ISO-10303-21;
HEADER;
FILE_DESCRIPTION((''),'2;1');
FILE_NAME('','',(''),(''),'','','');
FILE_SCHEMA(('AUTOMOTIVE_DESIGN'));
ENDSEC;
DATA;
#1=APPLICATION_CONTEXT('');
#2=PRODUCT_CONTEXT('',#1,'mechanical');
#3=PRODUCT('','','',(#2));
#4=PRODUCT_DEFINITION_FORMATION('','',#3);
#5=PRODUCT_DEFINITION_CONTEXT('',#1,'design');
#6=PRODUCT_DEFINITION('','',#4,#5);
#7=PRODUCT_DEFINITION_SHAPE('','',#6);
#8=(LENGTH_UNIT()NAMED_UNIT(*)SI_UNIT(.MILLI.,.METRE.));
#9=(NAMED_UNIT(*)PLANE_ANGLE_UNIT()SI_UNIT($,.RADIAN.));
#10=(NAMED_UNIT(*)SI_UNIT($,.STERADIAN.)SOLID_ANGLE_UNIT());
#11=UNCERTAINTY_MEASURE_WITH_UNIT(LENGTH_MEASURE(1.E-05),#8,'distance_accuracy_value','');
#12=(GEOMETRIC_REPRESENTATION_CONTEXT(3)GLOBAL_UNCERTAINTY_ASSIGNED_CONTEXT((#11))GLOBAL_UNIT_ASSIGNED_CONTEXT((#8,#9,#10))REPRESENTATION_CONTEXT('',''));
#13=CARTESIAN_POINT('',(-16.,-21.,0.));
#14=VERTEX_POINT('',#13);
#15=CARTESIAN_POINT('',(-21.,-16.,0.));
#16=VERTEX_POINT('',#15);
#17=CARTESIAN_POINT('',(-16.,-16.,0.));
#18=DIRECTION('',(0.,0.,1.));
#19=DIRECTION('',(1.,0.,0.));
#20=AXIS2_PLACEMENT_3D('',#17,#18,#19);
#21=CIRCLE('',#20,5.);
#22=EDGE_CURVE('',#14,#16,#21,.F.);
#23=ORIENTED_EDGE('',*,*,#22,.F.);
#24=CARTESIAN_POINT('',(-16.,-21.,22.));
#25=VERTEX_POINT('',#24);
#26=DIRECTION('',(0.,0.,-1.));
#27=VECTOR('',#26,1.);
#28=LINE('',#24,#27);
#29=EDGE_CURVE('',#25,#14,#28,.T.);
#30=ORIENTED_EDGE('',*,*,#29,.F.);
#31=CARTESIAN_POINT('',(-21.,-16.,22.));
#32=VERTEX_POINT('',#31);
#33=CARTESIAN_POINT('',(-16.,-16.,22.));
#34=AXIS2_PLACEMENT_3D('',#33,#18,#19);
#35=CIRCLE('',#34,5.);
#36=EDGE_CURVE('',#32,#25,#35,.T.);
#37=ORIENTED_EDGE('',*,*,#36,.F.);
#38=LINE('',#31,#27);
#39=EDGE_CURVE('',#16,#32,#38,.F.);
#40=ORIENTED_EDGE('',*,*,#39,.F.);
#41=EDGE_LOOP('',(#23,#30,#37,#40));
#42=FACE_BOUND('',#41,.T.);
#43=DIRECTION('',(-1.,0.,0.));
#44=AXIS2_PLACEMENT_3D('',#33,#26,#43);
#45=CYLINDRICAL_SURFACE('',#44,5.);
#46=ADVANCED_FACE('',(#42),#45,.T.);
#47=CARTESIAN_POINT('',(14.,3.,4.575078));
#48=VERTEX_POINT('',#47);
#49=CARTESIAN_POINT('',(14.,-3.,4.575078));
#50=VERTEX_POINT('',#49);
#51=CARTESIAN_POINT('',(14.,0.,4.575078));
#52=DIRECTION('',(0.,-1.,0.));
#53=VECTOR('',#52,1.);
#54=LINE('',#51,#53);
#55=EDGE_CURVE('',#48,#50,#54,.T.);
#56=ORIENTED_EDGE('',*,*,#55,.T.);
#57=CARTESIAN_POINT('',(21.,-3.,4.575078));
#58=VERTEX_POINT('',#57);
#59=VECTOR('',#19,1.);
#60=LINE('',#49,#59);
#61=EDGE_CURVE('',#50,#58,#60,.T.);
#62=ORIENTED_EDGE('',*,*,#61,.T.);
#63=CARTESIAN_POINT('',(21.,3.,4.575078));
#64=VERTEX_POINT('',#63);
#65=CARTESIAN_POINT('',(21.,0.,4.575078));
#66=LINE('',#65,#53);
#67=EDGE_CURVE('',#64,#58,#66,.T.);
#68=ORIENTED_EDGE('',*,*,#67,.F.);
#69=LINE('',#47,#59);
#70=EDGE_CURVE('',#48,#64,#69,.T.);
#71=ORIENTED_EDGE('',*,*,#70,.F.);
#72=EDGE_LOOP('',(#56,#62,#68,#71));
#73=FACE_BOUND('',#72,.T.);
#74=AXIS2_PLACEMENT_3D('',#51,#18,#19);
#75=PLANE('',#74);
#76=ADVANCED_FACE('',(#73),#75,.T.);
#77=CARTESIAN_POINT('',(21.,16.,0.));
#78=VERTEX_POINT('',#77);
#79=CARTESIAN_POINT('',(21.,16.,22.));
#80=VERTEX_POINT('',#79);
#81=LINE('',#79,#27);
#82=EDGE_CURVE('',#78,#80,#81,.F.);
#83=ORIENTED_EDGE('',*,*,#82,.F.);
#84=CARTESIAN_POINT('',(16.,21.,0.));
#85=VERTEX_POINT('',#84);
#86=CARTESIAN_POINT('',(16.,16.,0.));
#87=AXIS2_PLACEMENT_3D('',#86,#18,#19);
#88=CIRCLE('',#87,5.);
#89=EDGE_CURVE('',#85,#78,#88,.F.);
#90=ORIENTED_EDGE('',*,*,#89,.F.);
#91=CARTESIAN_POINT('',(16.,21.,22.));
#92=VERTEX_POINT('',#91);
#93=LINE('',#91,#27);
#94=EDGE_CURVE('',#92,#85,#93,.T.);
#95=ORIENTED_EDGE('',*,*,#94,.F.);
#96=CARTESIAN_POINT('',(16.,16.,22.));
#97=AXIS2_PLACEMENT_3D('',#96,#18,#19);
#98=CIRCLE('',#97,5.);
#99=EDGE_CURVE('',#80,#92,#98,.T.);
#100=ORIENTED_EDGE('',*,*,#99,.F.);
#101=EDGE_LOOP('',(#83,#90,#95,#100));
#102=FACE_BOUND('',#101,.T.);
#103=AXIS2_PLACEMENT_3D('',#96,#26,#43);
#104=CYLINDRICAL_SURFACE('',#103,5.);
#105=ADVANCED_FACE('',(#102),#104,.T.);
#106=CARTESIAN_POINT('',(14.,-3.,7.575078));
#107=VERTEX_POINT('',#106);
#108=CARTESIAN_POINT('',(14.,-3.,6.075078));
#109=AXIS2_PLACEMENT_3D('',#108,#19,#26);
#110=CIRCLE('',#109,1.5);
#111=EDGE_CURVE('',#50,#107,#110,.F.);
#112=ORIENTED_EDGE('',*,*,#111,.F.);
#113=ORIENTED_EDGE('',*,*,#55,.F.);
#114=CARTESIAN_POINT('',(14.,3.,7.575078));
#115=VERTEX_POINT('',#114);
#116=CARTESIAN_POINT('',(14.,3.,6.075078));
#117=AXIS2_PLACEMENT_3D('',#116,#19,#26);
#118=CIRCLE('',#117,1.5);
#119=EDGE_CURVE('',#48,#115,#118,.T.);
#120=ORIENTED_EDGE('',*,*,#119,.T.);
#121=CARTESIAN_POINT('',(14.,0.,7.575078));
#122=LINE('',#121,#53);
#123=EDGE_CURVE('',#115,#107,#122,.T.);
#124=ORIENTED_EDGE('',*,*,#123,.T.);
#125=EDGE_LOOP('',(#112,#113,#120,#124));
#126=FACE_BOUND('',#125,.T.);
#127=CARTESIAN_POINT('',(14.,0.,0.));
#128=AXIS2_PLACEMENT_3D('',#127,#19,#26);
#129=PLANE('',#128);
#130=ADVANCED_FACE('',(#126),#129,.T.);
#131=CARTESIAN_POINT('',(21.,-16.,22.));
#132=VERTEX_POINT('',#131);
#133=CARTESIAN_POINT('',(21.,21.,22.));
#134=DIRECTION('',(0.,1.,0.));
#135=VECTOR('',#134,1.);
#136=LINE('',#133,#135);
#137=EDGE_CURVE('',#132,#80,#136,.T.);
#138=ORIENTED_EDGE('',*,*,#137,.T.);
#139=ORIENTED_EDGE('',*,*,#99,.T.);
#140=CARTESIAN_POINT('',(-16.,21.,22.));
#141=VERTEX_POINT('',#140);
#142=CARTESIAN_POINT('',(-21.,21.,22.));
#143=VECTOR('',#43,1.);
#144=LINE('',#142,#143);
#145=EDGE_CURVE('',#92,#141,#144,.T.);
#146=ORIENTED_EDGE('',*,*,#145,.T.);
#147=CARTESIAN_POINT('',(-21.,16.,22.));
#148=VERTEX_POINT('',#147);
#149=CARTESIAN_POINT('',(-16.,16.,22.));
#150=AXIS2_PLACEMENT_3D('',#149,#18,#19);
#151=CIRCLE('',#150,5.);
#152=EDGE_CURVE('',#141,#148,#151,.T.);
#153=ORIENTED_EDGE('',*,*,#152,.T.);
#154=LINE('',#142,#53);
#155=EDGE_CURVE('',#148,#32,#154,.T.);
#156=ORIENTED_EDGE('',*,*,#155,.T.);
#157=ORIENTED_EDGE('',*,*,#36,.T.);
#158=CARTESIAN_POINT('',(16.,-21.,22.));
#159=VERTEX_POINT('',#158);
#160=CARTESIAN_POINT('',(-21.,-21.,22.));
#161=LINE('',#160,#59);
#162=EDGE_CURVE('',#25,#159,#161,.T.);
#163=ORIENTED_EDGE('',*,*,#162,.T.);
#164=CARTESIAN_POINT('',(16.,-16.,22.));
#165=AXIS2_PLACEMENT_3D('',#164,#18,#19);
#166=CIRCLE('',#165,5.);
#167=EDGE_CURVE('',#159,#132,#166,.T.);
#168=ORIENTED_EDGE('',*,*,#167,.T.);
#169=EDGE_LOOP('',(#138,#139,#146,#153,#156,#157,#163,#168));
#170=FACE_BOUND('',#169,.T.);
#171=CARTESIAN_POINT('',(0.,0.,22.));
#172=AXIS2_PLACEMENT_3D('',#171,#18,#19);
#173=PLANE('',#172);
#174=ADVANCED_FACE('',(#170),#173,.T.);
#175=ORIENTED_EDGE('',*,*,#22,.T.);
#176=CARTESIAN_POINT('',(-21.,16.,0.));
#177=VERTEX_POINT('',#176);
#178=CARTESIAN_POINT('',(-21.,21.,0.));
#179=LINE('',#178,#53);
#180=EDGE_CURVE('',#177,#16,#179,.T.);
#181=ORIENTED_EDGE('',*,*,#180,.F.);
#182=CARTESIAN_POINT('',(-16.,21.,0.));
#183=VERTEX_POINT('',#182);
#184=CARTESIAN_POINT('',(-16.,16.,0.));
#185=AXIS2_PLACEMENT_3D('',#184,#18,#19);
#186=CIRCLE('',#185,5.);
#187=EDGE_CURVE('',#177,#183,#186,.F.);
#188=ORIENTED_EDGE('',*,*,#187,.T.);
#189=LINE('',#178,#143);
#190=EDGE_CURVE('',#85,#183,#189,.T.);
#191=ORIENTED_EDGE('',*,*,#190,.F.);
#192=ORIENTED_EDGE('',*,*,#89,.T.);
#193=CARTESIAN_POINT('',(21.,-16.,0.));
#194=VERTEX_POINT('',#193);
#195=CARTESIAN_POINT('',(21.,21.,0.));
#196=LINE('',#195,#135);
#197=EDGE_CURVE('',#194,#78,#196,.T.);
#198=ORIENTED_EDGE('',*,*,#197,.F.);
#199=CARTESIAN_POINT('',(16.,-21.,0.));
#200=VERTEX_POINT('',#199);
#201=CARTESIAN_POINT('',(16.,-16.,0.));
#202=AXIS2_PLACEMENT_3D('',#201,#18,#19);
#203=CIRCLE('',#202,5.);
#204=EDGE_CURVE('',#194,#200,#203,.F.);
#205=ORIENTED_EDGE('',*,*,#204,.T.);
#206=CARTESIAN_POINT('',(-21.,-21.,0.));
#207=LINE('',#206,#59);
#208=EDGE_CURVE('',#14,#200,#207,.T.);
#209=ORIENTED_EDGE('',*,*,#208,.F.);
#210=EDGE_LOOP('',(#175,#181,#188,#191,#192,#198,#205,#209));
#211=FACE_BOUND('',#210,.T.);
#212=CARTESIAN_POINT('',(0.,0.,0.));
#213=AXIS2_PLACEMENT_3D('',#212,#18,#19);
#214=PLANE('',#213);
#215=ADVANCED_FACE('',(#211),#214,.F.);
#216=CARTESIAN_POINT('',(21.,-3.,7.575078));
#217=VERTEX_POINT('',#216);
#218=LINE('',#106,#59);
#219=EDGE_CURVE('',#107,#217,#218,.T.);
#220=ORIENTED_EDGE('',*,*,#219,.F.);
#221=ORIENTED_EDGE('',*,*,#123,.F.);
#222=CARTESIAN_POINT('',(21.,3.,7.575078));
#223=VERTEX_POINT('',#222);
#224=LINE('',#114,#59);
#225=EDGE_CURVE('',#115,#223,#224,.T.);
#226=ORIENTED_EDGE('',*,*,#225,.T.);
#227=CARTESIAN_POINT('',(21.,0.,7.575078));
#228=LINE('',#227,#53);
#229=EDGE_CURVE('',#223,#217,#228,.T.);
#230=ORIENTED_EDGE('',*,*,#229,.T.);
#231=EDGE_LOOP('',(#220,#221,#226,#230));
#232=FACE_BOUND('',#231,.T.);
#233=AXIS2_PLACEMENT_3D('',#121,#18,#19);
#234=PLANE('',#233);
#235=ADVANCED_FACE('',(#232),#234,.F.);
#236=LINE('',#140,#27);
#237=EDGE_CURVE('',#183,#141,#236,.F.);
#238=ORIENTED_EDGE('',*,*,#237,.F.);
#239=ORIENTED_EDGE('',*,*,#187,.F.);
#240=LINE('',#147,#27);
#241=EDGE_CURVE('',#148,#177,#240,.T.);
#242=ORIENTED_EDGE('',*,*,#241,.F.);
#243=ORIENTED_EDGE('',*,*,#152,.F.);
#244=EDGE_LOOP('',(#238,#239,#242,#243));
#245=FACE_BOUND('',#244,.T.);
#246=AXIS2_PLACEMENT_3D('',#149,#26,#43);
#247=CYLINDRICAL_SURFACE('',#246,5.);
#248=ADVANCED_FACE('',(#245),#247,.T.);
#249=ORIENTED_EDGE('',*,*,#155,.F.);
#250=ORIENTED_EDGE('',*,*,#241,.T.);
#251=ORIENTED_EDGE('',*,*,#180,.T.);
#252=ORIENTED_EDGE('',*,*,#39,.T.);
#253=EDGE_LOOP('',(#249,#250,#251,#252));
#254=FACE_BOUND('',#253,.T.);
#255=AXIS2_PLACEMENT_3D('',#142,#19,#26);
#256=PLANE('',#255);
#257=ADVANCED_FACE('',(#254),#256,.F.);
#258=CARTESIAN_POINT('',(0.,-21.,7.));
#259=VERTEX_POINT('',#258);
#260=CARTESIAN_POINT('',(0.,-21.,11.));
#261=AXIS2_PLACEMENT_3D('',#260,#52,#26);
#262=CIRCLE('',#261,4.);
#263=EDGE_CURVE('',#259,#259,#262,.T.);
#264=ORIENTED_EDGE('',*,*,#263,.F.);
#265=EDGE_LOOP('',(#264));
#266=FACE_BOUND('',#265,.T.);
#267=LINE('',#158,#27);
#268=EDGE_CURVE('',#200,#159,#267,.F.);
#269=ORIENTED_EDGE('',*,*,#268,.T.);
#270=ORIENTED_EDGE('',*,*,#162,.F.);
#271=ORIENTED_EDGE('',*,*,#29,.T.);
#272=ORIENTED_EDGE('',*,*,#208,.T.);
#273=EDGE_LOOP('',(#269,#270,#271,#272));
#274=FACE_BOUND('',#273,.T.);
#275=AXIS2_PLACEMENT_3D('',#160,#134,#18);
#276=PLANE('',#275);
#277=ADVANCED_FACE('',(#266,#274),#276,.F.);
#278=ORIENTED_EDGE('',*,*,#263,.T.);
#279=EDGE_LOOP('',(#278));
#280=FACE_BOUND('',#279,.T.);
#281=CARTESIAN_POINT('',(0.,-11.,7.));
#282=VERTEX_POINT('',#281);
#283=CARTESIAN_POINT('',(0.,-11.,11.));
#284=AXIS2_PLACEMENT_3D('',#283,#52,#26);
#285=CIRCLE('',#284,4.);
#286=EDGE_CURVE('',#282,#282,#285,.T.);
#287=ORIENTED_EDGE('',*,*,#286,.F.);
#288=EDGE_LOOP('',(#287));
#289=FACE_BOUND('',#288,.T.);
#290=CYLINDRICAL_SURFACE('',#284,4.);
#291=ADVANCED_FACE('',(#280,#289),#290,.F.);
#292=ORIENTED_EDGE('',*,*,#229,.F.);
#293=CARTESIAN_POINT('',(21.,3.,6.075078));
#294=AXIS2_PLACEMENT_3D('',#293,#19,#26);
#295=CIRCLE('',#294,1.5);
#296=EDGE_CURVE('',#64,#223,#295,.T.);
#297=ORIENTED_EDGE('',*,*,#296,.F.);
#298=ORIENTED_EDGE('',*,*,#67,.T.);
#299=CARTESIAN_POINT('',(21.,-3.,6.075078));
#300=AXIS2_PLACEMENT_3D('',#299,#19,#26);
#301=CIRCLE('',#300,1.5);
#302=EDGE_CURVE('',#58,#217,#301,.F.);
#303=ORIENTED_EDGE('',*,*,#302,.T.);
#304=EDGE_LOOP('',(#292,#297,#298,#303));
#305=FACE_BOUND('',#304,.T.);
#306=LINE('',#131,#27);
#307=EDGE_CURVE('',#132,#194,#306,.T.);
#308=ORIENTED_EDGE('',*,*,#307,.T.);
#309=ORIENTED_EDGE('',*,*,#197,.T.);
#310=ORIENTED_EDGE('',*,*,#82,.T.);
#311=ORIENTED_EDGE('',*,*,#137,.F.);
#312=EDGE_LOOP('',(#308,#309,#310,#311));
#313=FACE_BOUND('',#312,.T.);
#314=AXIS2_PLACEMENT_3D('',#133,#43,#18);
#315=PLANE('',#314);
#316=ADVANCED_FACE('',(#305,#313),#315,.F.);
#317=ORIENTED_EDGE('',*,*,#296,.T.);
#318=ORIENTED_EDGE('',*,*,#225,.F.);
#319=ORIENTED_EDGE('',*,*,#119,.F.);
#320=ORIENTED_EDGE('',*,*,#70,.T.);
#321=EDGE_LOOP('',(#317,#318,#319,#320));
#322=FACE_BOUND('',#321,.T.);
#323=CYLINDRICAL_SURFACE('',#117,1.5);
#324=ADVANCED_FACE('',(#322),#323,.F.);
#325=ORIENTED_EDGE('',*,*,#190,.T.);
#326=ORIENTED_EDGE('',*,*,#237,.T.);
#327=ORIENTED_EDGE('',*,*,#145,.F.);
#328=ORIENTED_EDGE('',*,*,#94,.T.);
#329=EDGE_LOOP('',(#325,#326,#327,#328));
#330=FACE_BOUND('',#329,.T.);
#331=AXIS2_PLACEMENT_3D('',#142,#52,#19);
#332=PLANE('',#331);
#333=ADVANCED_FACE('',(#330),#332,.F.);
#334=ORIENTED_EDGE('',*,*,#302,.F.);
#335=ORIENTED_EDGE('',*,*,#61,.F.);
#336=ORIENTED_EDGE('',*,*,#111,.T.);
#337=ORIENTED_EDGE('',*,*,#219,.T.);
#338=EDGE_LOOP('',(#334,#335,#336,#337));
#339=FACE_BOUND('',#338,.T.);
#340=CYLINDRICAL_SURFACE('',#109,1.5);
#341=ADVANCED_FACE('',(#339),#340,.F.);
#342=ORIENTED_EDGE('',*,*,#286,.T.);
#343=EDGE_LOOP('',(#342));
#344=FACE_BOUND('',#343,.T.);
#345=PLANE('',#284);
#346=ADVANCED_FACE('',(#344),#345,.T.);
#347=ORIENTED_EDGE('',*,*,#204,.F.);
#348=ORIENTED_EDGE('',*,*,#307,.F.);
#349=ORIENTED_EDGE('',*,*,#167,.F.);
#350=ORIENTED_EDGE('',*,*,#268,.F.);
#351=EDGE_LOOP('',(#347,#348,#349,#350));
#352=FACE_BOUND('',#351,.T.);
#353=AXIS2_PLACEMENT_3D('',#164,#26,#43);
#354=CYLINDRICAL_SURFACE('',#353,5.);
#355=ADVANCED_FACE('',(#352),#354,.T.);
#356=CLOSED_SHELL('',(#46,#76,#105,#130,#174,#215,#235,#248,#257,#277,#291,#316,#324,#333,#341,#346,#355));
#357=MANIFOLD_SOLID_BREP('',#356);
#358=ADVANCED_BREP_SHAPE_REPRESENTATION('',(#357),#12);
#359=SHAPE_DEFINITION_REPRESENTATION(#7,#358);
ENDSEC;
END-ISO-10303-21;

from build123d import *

# Parameters (mm, degrees)
SKETCH_1_W          = 42
SKETCH_1_H          = 42
EXTRUDE_1_DEPTH     = 22
SKETCH_2_R          = 1.5
CUT_EXTRUDE_1_DEPTH = 7
SKETCH_3_R          = 4
CUT_EXTRUDE_2_DEPTH = 10
FILLET_1_R          = 5


with BuildPart() as part:
    # 草图1 → 凸台-拉伸1 (new body)
    with BuildSketch(Plane.XY):
        Rectangle(SKETCH_1_W, SKETCH_1_H)
    extrude(amount=EXTRUDE_1_DEPTH)

    # 草图2 → 切除-拉伸1 (cut)
    with BuildSketch(Plane(origin=(21, 0, 0), x_dir=(0, 0, -1), z_dir=(1, 0, 0))):
        with Locations((-6.07507845, 3)):
            Circle(SKETCH_2_R)
        with BuildLine():
            ThreePointArc((-4.57507845, 3), (-6.07507845, 1.5), (-7.57507845, 3))
            Line((-7.57507845, 3), (-7.57507845, -3))
            ThreePointArc((-7.57507845, -3), (-6.07507845, -1.5), (-4.57507845, -3))
            Line((-4.57507845, -3), (-4.57507845, 3))
        make_face()
        with Locations((-6.07507845, -3)):
            Circle(SKETCH_2_R)
    extrude(amount=-CUT_EXTRUDE_1_DEPTH, mode=Mode.SUBTRACT)

    # 草图3 → 切除-拉伸2 (cut)
    with BuildSketch(Plane.XZ.offset(21)):
        with Locations(Location((0, 11, 0), (0, 0, 270))):
            Circle(SKETCH_3_R)
    extrude(amount=-CUT_EXTRUDE_2_DEPTH, mode=Mode.SUBTRACT)

    # 圆角1
    fillet_1_edges = [part.edges().sort_by_distance(p)[0] for p in [
        (-21, 21, 11),
        (21, 21, 11),
        (21, -21, 11),
        (-21, -21, 11),
    ]]
    fillet(fillet_1_edges, radius=FILLET_1_R)


solid = part.part
